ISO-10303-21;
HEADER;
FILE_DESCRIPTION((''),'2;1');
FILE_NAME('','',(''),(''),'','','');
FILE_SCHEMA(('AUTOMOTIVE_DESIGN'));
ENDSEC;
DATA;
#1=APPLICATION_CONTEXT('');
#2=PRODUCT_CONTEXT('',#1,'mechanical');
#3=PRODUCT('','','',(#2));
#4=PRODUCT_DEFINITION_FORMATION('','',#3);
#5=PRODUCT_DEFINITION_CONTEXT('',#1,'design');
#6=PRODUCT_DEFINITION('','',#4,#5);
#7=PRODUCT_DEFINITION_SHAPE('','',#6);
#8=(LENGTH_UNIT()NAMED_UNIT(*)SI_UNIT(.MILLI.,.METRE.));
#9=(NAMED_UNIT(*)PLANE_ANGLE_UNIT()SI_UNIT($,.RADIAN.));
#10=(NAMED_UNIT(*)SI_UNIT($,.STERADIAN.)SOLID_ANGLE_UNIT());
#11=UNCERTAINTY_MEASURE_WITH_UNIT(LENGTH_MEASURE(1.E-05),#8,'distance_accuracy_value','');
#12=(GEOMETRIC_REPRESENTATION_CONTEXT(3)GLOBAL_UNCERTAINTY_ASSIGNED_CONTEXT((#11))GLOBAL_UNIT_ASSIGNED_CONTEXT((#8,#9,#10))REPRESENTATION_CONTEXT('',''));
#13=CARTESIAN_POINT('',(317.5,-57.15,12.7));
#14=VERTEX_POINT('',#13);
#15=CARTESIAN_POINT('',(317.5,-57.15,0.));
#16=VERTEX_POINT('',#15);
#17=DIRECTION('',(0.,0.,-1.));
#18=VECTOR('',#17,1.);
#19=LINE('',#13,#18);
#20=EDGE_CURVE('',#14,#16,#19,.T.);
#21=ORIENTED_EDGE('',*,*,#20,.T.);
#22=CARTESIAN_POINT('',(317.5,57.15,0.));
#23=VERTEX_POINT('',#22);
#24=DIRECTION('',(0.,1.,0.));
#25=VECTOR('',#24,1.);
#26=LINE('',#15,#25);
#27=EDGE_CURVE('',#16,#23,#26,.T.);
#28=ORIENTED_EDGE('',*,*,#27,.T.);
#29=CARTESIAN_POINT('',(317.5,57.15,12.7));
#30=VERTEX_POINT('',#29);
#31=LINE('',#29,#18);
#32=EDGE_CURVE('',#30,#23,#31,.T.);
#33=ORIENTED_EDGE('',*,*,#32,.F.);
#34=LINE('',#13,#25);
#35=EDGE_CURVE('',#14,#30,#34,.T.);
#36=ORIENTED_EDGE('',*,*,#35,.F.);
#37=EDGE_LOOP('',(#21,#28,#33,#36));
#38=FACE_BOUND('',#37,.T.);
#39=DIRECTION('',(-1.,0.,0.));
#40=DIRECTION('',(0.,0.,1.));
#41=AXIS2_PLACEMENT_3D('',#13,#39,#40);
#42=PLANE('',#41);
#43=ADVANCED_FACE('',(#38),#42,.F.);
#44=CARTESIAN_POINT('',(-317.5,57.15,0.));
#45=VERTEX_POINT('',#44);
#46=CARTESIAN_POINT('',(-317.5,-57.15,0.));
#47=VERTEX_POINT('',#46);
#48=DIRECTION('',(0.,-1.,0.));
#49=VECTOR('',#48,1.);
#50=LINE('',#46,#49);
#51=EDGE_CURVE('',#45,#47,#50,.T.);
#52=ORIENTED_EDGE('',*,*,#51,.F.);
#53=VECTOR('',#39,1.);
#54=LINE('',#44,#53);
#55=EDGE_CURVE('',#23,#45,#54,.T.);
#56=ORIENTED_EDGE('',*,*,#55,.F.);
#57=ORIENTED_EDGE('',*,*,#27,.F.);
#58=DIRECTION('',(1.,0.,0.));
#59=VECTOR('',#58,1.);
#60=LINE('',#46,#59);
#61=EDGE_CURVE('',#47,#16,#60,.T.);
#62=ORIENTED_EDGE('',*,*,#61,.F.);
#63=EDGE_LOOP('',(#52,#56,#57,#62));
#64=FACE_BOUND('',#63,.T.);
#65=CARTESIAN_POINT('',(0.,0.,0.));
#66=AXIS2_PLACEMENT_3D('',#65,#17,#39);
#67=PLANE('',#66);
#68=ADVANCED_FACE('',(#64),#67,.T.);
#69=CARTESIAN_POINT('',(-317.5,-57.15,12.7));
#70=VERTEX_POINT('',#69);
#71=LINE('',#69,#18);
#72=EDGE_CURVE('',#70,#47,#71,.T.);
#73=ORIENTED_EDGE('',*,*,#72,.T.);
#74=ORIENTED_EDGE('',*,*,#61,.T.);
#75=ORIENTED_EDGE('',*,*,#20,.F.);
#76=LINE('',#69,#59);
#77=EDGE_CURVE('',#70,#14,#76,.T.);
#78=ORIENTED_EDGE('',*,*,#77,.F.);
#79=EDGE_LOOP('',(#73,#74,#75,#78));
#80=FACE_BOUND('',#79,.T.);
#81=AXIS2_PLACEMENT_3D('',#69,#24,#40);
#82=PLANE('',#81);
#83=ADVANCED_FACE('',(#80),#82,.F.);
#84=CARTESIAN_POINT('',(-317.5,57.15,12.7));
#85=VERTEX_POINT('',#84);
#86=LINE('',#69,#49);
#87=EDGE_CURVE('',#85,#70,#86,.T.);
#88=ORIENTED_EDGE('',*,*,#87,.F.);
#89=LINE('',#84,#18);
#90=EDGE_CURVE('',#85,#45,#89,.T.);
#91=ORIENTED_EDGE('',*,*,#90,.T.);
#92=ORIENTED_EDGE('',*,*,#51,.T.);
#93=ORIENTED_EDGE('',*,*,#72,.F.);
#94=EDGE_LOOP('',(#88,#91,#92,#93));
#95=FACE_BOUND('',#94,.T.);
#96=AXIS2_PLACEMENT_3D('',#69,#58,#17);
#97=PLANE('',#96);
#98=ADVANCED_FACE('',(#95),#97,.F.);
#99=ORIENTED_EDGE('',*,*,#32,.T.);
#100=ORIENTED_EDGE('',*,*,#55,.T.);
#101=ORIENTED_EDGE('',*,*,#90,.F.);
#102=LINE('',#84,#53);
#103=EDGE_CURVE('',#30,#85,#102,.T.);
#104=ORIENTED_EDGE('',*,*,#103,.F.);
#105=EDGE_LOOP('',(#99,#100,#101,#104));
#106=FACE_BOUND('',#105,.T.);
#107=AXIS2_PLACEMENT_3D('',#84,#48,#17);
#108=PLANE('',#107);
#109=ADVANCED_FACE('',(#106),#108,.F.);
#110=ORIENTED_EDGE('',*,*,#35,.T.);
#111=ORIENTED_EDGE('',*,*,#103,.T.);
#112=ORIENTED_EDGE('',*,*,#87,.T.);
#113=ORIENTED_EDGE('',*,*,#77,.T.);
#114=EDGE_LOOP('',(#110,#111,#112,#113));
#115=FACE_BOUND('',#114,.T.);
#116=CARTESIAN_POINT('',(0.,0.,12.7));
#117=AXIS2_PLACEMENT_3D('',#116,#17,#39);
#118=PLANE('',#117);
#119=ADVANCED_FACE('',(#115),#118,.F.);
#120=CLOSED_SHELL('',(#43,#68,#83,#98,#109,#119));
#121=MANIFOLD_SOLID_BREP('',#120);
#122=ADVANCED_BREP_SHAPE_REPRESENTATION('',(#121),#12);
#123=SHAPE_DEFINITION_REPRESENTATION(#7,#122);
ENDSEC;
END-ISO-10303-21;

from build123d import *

# Parameters (mm, degrees)
SKETCH1_W           = 635
SKETCH1_H           = 114.3
BOSS_EXTRUDE1_DEPTH = 12.7


with BuildPart() as part:
    # Sketch1 → Boss-Extrude1 (new body)
    with BuildSketch(Plane.XY):
        Rectangle(SKETCH1_W, SKETCH1_H)
    extrude(amount=BOSS_EXTRUDE1_DEPTH)


solid = part.part
